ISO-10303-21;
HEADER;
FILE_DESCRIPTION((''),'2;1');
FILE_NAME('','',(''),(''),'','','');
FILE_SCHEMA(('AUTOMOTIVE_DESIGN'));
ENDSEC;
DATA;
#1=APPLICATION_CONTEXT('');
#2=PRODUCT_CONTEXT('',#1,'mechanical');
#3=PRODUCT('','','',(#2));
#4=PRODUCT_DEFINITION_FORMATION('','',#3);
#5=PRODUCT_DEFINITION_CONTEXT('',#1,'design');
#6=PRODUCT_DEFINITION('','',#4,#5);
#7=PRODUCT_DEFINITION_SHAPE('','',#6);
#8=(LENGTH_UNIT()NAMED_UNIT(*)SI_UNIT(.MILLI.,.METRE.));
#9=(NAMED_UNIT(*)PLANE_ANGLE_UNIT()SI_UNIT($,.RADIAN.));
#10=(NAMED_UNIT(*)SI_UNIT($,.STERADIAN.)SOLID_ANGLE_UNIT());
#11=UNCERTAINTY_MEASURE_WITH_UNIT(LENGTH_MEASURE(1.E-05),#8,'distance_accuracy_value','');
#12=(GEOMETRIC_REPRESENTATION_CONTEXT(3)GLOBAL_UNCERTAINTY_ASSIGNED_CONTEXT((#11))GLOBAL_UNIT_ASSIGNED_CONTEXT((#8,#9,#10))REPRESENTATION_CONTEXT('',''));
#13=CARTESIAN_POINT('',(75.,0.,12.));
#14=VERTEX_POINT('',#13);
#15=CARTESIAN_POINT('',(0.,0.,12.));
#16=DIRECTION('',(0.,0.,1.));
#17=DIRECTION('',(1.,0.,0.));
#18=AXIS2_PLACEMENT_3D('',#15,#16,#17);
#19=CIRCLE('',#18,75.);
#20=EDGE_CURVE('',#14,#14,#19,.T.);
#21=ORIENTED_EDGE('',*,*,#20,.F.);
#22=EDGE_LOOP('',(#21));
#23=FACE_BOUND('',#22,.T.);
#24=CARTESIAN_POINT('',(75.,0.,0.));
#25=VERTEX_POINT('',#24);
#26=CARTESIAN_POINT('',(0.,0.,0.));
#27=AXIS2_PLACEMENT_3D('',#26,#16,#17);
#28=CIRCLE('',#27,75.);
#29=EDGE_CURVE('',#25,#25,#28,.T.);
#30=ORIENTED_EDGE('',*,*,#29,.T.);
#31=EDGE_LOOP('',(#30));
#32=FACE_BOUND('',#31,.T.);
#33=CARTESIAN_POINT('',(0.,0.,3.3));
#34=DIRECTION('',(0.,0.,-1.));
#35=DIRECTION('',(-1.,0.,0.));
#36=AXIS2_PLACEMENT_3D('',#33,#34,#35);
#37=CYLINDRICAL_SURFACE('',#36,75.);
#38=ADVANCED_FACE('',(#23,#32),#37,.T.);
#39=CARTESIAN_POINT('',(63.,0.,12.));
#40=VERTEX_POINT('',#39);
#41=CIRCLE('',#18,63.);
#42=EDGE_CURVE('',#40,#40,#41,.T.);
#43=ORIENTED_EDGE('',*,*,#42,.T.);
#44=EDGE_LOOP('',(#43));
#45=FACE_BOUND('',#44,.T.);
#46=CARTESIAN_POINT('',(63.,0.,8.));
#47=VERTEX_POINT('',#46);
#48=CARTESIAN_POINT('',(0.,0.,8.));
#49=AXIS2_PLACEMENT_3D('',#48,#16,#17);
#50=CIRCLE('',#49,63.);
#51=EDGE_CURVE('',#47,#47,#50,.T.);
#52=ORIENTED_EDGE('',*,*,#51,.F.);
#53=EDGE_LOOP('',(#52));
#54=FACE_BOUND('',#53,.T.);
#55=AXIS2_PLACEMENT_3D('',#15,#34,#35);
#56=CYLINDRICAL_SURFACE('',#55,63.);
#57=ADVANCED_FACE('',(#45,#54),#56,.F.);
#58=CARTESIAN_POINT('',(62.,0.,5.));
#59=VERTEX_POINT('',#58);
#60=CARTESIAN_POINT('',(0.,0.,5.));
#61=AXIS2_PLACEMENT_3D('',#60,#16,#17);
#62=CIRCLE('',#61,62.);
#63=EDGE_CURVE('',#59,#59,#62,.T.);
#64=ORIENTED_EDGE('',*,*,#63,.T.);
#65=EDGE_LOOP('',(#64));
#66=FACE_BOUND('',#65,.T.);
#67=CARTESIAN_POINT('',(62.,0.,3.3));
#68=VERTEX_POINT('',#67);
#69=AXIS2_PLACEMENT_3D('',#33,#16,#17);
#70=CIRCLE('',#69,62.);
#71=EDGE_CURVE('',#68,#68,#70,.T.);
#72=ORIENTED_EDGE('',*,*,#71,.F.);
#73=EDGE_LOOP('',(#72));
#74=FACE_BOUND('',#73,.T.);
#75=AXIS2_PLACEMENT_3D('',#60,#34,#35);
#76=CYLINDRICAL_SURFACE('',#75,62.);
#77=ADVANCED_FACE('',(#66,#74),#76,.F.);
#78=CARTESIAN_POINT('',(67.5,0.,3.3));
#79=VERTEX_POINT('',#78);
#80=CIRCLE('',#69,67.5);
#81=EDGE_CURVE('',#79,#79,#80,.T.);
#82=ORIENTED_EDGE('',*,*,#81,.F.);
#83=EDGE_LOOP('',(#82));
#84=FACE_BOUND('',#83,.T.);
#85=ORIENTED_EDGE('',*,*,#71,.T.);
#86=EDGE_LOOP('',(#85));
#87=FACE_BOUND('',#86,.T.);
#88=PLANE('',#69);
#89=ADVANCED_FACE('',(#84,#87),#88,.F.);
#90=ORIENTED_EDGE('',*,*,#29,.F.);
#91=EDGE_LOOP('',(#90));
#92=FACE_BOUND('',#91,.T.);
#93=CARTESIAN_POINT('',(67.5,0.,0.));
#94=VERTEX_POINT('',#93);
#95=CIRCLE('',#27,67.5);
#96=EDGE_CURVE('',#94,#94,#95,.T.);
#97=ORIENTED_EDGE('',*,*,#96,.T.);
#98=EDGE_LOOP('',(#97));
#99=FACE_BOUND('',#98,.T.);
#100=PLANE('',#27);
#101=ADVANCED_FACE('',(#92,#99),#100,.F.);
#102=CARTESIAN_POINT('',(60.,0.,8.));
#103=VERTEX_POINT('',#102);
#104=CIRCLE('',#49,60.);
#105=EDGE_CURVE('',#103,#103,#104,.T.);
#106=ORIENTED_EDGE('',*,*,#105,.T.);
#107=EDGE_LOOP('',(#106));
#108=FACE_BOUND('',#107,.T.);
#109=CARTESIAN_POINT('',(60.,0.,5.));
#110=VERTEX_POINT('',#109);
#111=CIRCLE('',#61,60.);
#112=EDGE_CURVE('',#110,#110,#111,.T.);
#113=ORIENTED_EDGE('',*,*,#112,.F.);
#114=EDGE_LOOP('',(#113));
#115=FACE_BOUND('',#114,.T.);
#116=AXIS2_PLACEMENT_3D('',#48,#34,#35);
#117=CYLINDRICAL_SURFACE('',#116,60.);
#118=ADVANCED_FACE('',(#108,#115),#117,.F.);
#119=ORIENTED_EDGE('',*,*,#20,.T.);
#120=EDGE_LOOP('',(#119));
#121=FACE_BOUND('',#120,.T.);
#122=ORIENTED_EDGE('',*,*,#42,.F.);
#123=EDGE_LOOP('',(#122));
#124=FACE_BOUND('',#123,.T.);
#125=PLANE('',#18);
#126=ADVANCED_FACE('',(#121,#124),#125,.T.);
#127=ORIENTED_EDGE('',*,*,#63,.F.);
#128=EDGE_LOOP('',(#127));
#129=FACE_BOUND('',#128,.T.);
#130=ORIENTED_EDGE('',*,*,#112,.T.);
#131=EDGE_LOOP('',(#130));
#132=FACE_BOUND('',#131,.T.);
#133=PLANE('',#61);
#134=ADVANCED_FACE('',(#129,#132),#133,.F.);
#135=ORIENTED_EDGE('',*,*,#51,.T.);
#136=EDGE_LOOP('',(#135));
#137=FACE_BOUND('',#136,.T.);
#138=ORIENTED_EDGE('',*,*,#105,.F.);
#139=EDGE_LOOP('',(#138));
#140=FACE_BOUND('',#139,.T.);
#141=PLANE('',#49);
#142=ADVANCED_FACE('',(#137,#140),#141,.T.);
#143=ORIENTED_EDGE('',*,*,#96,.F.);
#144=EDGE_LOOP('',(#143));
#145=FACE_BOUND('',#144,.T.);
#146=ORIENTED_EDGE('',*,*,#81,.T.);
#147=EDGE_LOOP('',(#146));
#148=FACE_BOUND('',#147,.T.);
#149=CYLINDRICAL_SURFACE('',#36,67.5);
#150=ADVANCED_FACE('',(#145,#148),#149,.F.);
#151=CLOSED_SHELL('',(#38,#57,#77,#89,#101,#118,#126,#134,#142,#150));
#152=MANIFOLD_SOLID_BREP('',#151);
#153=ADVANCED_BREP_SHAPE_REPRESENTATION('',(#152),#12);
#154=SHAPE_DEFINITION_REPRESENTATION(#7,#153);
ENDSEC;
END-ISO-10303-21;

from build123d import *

# Parameters (mm, degrees)
SKETCH_1_R           = 75
SKETCH_1_R_2         = 67.5
F_01_CASE_D135_DEPTH = 3.3
SKETCH_2_R           = 75
SKETCH_2_R_2         = 62
F_02_LIP_CONE_DEPTH  = 1.7
SKETCH_3_R           = 75
SKETCH_3_R_2         = 60
F_03_LIP_D120_DEPTH  = 3
SKETCH_4_R           = 75
SKETCH_4_R_2         = 63
F_04_DUST_LIP_DEPTH  = 4


with BuildPart() as part:
    # 草图1 → 01_CASE_D135 (new body)
    with BuildSketch(Plane.XY):
        Circle(SKETCH_1_R)
        Circle(SKETCH_1_R_2, mode=Mode.SUBTRACT)
    extrude(amount=F_01_CASE_D135_DEPTH)

    # 草图2 → 02_LIP_CONE (add)
    with BuildSketch(Plane.XY.offset(3.3)):
        Circle(SKETCH_2_R)
        Circle(SKETCH_2_R_2, mode=Mode.SUBTRACT)
    extrude(amount=F_02_LIP_CONE_DEPTH)

    # 草图3 → 03_LIP_D120 (add)
    with BuildSketch(Plane.XY.offset(5)):
        Circle(SKETCH_3_R)
        Circle(SKETCH_3_R_2, mode=Mode.SUBTRACT)
    extrude(amount=F_03_LIP_D120_DEPTH)

    # 草图4 → 04_DUST_LIP (add)
    with BuildSketch(Plane.XY.offset(8)):
        Circle(SKETCH_4_R)
        Circle(SKETCH_4_R_2, mode=Mode.SUBTRACT)
    extrude(amount=F_04_DUST_LIP_DEPTH)


solid = part.part
